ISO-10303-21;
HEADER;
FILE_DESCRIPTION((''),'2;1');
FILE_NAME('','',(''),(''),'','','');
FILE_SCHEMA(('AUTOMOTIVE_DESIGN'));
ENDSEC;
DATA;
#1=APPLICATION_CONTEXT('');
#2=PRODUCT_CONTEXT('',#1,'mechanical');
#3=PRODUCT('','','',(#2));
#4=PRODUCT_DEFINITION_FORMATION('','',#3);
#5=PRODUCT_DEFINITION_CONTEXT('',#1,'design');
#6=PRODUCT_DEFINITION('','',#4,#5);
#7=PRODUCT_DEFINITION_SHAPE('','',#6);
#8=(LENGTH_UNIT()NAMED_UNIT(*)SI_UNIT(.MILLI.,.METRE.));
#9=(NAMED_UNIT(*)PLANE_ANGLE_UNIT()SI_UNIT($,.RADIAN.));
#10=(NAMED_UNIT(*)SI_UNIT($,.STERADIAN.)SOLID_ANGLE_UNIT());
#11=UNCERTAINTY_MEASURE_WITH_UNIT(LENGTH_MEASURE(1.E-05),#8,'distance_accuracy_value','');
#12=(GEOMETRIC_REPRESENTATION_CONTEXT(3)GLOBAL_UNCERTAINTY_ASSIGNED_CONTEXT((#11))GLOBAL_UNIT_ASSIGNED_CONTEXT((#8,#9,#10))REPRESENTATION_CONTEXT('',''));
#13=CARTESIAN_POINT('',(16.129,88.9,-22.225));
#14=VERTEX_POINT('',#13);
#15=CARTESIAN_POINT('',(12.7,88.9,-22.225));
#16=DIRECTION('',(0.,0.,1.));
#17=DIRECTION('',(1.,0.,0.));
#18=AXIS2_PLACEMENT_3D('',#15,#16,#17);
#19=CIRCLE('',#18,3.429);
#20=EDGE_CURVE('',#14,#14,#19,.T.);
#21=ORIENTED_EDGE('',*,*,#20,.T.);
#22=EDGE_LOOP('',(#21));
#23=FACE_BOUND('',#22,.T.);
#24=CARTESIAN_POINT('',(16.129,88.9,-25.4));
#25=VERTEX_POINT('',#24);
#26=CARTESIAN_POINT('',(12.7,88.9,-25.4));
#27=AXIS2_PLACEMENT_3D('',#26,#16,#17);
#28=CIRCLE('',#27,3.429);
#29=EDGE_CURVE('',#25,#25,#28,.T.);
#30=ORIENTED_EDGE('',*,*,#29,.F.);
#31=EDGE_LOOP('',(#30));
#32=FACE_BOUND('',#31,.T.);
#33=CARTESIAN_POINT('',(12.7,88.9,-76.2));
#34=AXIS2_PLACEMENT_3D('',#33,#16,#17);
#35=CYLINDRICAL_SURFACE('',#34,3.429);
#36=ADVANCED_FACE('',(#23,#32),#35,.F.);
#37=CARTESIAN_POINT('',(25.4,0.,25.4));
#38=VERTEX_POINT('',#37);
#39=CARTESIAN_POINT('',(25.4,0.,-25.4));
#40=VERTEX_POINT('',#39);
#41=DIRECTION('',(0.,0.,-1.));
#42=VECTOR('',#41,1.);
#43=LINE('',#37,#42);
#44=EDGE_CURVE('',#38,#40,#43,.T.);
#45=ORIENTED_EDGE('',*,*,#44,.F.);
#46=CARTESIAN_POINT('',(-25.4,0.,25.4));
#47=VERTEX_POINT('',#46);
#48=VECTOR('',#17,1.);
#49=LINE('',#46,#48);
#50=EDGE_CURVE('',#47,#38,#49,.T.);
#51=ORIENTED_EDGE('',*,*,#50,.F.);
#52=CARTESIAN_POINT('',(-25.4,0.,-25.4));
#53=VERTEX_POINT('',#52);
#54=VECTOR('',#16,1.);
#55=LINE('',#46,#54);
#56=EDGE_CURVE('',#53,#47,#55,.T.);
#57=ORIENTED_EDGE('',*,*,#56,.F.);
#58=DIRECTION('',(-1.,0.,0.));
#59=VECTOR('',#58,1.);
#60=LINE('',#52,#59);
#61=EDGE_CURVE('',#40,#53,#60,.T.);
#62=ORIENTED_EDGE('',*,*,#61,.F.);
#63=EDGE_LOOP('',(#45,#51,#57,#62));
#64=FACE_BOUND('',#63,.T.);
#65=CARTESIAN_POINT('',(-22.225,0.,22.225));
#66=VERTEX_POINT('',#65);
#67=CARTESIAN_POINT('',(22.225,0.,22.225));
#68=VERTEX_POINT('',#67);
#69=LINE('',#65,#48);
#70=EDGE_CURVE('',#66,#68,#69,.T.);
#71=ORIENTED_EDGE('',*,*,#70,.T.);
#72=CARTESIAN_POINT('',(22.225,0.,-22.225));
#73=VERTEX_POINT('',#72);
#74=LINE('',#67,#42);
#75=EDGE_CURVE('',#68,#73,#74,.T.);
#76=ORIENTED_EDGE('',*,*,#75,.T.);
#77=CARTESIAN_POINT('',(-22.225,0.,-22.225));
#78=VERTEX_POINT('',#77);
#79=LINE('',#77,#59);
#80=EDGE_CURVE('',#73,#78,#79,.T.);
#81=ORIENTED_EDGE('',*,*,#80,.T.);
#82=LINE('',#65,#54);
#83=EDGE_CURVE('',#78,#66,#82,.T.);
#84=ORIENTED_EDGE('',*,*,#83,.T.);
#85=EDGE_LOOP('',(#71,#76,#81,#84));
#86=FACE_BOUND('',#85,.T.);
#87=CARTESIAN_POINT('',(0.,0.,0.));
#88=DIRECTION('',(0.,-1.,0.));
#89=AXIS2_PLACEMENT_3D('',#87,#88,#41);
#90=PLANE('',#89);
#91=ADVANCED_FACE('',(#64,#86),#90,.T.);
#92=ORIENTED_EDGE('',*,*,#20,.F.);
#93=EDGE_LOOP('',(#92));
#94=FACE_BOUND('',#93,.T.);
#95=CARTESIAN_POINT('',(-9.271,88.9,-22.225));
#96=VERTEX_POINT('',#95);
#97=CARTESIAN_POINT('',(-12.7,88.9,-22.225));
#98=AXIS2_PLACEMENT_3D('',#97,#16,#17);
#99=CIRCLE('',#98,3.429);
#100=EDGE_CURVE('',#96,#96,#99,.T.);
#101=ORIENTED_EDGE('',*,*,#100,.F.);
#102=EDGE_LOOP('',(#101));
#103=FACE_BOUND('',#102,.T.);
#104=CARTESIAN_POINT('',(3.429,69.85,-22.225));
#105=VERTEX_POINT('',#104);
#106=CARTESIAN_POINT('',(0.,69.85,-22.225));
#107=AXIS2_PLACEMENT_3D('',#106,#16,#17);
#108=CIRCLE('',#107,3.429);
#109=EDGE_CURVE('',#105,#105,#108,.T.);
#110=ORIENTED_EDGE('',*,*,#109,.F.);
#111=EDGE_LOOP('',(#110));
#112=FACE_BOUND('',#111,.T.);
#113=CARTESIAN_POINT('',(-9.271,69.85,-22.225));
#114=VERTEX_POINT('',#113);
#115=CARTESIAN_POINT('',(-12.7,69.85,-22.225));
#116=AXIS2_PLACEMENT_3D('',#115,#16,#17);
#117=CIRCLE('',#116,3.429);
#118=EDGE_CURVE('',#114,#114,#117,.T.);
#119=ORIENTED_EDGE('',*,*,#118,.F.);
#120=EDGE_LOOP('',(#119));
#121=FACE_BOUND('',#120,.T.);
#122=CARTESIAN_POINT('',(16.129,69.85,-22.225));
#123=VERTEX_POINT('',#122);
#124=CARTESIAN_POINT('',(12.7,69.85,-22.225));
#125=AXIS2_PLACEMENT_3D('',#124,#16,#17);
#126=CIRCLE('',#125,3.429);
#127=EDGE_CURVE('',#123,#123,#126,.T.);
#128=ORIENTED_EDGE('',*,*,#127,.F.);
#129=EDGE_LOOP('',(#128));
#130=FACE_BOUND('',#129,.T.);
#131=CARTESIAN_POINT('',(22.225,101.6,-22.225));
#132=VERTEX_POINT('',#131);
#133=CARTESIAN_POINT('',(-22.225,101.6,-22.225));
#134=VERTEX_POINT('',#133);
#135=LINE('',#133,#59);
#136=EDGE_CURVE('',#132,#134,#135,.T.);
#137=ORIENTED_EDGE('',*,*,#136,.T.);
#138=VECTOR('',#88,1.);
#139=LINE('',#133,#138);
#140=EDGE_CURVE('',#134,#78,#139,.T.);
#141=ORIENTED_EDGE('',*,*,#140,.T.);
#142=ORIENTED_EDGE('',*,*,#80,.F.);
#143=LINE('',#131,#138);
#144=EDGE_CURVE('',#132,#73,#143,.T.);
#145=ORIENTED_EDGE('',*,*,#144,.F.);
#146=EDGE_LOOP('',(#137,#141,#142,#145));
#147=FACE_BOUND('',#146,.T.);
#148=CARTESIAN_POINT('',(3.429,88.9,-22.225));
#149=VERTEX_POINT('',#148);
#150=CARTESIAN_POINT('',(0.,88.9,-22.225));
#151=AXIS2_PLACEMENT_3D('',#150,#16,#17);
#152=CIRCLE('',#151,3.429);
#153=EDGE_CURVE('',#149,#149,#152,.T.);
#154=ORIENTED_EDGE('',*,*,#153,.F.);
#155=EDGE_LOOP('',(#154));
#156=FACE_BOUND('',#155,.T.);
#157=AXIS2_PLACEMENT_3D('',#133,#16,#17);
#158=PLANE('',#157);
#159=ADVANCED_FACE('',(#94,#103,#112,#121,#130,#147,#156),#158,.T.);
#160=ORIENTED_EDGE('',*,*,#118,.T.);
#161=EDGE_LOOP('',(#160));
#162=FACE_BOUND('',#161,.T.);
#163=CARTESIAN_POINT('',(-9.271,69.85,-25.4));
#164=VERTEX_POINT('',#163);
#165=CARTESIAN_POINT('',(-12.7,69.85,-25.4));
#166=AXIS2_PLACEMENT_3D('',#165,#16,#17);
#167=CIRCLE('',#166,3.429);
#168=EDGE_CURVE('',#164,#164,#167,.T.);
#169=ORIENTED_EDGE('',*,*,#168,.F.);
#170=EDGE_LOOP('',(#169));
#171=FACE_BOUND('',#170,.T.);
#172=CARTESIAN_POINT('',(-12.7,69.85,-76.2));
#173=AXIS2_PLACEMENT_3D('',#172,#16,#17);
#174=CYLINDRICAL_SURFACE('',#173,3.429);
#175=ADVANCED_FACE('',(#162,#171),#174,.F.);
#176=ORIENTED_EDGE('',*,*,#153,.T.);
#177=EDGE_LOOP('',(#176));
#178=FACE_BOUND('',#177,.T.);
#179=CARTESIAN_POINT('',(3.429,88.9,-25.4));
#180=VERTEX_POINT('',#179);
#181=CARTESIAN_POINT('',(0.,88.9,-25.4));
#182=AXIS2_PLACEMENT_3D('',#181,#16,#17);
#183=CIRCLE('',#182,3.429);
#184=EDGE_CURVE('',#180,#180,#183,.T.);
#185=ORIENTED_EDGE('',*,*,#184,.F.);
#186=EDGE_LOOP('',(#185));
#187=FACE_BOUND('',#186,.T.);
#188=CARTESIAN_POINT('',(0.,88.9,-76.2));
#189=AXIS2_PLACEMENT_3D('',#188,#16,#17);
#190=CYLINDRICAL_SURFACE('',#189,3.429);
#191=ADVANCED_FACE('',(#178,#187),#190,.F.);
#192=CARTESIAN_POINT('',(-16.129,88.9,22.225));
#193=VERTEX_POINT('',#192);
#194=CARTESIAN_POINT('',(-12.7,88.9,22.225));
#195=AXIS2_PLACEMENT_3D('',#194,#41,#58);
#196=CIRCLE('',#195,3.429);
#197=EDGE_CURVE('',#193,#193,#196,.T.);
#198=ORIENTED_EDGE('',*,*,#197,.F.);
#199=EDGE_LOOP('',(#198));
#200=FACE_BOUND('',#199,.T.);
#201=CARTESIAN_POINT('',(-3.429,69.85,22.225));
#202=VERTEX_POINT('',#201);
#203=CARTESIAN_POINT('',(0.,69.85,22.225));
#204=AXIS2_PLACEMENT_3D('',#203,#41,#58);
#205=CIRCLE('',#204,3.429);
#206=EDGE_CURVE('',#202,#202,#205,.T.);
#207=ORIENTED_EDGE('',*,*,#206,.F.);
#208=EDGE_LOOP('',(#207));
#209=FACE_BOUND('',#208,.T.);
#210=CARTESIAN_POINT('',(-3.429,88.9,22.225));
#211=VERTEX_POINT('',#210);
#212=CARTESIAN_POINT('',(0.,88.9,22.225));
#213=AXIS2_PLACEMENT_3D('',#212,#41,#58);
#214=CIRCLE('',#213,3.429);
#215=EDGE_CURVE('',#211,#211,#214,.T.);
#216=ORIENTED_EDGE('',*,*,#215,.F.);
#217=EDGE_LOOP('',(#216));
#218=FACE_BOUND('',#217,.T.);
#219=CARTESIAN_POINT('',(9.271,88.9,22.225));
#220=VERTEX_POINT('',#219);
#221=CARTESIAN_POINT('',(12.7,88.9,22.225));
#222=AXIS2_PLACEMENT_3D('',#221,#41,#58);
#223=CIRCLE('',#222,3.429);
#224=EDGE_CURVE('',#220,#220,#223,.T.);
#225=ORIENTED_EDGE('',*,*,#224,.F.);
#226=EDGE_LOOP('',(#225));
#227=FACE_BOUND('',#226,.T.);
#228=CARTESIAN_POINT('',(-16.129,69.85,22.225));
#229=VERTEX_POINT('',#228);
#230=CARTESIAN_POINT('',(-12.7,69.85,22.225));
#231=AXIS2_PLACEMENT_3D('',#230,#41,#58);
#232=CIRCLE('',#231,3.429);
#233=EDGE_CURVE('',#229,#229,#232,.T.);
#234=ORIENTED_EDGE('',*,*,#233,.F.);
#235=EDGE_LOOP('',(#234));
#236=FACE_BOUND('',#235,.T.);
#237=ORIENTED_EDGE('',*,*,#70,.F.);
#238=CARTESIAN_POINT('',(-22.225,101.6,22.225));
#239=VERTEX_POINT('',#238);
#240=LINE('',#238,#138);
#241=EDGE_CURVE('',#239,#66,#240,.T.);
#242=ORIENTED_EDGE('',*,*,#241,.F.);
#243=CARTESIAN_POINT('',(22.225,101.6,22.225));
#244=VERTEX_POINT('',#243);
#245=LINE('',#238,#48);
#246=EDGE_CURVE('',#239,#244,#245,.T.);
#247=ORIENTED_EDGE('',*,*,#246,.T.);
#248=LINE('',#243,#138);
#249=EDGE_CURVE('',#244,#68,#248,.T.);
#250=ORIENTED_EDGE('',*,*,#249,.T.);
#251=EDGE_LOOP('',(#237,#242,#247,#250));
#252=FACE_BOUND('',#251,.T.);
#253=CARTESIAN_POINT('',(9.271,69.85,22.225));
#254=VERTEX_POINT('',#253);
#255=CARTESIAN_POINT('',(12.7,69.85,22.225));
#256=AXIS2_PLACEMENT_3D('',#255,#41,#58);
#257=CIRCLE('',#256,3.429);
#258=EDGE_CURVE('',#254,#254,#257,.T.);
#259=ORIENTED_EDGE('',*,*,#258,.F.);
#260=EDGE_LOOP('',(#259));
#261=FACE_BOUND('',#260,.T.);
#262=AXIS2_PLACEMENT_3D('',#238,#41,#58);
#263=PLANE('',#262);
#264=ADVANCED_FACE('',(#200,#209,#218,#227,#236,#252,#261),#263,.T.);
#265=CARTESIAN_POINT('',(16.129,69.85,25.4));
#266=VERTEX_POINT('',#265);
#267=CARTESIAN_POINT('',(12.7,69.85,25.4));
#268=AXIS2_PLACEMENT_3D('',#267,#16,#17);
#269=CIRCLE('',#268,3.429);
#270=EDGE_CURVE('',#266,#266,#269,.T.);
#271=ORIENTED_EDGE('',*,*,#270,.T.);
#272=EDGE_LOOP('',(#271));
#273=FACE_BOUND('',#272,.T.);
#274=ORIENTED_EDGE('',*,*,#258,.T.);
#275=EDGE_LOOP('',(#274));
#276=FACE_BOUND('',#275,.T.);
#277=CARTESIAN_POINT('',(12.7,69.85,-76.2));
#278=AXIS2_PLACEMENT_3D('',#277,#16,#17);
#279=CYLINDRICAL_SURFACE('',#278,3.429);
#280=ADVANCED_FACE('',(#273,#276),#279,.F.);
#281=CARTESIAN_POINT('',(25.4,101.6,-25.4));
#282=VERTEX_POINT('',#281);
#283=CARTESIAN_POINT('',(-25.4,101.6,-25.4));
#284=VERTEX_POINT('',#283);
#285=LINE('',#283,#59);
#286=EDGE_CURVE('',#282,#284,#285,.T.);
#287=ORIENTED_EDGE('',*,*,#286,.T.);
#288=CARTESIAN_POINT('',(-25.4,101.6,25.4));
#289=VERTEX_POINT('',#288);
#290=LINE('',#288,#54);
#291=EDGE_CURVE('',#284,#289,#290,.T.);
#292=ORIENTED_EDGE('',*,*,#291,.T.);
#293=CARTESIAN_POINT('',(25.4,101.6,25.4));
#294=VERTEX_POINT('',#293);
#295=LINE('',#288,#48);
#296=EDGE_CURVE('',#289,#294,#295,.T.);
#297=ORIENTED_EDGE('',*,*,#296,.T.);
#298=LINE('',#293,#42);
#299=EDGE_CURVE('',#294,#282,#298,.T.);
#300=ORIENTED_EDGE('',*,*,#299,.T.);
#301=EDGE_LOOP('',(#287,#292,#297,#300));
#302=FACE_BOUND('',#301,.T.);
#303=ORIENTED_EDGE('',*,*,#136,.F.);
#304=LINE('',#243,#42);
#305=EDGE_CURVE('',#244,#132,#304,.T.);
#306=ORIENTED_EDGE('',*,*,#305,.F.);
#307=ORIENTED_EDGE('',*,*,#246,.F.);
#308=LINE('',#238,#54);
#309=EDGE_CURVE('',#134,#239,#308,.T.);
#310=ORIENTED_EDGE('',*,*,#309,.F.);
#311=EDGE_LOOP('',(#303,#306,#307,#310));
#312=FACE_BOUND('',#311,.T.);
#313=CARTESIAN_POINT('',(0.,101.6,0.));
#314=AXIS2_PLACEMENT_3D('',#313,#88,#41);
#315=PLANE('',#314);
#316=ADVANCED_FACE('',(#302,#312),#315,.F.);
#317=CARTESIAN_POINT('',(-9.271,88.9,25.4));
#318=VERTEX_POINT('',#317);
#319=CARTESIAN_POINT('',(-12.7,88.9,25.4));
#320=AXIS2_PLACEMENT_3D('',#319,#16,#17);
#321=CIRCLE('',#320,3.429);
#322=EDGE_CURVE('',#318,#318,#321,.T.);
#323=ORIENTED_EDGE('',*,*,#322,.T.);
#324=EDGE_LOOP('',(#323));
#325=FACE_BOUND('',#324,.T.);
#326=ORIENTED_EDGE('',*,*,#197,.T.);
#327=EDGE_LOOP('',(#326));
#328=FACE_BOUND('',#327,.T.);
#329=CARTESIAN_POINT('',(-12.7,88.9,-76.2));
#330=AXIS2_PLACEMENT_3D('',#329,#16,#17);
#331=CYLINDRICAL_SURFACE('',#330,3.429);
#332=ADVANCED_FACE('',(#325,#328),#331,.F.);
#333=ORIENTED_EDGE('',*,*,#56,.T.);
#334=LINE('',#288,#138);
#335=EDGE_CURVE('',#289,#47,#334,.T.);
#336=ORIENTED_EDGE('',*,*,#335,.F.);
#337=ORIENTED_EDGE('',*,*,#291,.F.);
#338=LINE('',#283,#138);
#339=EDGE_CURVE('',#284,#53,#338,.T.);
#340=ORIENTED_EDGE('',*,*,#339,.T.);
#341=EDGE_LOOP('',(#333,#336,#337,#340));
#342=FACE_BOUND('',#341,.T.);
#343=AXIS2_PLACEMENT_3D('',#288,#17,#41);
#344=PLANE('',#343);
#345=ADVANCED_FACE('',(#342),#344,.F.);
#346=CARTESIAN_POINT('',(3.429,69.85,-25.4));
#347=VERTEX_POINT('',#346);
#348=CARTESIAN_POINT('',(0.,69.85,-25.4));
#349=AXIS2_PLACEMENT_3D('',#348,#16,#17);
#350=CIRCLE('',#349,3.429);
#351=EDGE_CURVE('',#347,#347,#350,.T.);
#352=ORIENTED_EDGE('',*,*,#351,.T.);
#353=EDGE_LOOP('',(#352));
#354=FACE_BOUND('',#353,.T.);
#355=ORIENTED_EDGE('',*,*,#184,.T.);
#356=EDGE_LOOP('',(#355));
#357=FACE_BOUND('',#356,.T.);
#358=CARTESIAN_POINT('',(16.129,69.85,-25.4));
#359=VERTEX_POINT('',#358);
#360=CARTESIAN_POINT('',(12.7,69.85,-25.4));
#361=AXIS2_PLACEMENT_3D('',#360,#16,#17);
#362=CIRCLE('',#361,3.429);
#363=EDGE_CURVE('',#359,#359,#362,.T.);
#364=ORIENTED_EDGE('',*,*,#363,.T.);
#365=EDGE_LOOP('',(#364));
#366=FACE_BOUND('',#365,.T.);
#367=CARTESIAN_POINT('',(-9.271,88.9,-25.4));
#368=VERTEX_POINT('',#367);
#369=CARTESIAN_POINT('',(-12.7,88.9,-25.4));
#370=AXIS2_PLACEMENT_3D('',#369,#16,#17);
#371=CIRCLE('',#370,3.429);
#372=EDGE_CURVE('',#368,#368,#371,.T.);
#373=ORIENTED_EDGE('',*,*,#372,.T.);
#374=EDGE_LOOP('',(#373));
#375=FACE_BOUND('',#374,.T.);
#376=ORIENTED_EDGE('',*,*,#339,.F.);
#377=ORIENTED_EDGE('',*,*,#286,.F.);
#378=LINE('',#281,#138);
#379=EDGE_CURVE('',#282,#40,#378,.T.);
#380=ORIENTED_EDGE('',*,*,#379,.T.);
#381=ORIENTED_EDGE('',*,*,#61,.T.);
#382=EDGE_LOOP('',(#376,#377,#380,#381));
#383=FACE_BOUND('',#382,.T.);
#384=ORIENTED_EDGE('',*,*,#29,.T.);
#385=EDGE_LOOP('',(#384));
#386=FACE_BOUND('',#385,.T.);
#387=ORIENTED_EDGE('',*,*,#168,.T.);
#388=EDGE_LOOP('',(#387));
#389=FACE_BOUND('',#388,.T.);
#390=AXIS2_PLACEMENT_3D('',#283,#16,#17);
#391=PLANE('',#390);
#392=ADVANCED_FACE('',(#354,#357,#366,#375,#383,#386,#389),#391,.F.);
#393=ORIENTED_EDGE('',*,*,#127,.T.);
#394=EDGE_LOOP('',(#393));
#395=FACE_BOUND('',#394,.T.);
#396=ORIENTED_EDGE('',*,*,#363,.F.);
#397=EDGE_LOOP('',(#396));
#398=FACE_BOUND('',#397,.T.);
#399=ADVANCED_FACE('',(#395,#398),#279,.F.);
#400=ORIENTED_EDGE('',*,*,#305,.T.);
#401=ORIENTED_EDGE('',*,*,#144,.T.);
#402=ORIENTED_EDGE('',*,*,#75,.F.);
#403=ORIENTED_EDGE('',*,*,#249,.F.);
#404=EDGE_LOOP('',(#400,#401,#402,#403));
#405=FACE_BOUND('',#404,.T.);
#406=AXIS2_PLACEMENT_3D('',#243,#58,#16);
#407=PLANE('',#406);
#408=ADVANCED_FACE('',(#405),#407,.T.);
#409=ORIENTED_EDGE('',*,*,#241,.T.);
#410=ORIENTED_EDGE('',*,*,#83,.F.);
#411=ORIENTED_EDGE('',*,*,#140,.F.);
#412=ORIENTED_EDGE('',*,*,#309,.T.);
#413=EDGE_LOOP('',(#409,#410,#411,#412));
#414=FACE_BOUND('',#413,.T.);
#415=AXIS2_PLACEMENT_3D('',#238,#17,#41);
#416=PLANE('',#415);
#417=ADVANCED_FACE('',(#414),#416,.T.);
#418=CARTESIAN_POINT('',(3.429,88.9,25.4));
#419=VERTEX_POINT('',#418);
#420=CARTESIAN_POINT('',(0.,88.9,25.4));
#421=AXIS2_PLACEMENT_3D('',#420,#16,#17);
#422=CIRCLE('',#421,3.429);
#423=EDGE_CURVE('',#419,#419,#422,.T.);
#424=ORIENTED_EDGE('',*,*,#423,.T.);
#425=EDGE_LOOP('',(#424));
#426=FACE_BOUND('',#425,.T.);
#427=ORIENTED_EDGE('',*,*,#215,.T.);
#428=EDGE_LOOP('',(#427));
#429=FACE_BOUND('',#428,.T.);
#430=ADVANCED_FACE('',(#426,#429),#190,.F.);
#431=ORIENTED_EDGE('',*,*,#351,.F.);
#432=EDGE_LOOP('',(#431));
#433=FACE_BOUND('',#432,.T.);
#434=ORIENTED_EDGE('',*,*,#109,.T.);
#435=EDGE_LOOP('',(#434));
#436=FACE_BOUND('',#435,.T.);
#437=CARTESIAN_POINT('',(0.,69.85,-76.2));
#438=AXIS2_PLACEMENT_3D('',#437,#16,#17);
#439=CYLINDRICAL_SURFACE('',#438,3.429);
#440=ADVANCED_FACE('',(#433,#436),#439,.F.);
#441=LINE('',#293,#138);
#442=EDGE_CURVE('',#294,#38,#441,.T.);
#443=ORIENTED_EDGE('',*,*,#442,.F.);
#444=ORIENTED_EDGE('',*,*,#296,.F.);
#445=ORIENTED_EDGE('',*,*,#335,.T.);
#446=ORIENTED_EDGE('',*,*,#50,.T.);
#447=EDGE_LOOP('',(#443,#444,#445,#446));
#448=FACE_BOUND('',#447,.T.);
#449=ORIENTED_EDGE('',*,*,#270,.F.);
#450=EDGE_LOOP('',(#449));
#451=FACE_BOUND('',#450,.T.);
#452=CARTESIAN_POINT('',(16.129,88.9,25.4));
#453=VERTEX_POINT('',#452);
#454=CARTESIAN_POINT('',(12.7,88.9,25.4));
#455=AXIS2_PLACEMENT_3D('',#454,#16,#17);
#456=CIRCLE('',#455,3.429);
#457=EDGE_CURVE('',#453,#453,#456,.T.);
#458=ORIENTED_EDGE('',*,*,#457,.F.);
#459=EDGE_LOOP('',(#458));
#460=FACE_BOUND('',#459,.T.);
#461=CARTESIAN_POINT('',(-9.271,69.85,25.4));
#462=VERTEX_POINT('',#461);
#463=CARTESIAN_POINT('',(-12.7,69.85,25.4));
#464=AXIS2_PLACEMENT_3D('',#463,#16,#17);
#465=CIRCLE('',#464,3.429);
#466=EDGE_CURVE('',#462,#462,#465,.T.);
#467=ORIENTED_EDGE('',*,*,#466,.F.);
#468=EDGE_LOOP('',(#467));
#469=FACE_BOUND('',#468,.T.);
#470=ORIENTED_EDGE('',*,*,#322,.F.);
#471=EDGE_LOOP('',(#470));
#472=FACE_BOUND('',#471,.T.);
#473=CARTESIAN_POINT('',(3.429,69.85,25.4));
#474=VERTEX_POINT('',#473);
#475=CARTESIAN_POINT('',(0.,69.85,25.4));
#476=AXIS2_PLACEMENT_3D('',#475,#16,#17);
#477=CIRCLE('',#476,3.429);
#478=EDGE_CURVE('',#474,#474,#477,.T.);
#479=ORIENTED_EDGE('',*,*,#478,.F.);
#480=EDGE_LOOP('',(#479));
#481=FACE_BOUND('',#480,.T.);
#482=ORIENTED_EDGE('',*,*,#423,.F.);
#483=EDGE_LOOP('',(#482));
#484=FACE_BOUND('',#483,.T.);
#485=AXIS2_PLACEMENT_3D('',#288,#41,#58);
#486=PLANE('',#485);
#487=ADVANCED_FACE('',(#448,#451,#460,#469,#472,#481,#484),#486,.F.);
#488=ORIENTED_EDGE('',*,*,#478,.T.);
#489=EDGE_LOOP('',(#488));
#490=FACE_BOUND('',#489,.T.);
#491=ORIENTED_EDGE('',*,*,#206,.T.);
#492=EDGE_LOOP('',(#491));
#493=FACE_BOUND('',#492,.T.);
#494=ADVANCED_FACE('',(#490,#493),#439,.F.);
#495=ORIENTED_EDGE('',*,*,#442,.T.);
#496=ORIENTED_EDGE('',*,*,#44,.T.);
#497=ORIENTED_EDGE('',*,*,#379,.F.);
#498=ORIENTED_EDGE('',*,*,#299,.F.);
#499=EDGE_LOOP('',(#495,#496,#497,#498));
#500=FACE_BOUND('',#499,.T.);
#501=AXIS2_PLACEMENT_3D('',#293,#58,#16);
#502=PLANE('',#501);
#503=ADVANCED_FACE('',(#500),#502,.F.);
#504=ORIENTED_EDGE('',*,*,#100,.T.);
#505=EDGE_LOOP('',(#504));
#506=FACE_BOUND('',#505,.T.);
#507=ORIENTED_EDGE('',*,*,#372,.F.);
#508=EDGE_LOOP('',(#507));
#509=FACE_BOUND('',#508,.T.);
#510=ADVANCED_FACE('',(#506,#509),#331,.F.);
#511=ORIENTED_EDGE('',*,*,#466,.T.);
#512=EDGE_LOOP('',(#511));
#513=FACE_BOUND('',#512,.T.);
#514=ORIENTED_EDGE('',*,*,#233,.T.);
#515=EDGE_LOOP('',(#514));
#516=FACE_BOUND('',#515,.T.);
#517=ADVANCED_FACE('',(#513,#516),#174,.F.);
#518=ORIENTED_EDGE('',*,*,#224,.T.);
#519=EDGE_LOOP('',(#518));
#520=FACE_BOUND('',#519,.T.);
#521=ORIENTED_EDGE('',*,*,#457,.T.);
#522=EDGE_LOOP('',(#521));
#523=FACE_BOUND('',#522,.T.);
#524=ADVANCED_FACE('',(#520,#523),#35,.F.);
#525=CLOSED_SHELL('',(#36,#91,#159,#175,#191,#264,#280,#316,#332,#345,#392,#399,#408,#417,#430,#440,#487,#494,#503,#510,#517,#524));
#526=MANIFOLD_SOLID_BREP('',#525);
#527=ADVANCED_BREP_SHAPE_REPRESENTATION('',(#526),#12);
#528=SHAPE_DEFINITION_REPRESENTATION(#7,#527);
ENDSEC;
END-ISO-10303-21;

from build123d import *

# Parameters (mm, degrees)
SKETCH1_W            = 50.8
SKETCH1_H            = 50.8
SKETCH1_W_2          = 44.45
SKETCH1_H_2          = 44.45
BOSS_EXTRUDE1_DEPTH  = 101.6
SKETCH2_R            = 3.429
CUT_EXTRUDE1_DEPTH   = 101.6
LPATTERN1_COUNT      = 3
LPATTERN1_PITCH      = 12.7
LPATTERN1_COUNT_DIR2 = 2
LPATTERN1_PITCH_DIR2 = 19.05


with BuildPart() as part:
    # Sketch1 → Boss-Extrude1 (new body)
    with BuildSketch(Plane(origin=(0, 0, 0), x_dir=(1, 0, 0), z_dir=(0, 1, 0))):
        Rectangle(SKETCH1_W, SKETCH1_H)
        Rectangle(SKETCH1_W_2, SKETCH1_H_2, mode=Mode.SUBTRACT)
    extrude(amount=BOSS_EXTRUDE1_DEPTH)

    # Sketch2 → Cut-Extrude1 (cut)
    with BuildSketch(Plane.XY.offset(25.4)):
        with Locations((-12.7, 69.85)):
            Circle(SKETCH2_R)
    cut_extrude1 = extrude(amount=-CUT_EXTRUDE1_DEPTH, mode=Mode.SUBTRACT)

    # LPattern1: Cut-Extrude1 3 × 2
    with Locations(*[(i * LPATTERN1_PITCH, j * LPATTERN1_PITCH_DIR2, 0) for i in range(LPATTERN1_COUNT) for j in range(LPATTERN1_COUNT_DIR2) if (i, j) != (0, 0)]):
        add(cut_extrude1, mode=Mode.SUBTRACT)


solid = part.part
